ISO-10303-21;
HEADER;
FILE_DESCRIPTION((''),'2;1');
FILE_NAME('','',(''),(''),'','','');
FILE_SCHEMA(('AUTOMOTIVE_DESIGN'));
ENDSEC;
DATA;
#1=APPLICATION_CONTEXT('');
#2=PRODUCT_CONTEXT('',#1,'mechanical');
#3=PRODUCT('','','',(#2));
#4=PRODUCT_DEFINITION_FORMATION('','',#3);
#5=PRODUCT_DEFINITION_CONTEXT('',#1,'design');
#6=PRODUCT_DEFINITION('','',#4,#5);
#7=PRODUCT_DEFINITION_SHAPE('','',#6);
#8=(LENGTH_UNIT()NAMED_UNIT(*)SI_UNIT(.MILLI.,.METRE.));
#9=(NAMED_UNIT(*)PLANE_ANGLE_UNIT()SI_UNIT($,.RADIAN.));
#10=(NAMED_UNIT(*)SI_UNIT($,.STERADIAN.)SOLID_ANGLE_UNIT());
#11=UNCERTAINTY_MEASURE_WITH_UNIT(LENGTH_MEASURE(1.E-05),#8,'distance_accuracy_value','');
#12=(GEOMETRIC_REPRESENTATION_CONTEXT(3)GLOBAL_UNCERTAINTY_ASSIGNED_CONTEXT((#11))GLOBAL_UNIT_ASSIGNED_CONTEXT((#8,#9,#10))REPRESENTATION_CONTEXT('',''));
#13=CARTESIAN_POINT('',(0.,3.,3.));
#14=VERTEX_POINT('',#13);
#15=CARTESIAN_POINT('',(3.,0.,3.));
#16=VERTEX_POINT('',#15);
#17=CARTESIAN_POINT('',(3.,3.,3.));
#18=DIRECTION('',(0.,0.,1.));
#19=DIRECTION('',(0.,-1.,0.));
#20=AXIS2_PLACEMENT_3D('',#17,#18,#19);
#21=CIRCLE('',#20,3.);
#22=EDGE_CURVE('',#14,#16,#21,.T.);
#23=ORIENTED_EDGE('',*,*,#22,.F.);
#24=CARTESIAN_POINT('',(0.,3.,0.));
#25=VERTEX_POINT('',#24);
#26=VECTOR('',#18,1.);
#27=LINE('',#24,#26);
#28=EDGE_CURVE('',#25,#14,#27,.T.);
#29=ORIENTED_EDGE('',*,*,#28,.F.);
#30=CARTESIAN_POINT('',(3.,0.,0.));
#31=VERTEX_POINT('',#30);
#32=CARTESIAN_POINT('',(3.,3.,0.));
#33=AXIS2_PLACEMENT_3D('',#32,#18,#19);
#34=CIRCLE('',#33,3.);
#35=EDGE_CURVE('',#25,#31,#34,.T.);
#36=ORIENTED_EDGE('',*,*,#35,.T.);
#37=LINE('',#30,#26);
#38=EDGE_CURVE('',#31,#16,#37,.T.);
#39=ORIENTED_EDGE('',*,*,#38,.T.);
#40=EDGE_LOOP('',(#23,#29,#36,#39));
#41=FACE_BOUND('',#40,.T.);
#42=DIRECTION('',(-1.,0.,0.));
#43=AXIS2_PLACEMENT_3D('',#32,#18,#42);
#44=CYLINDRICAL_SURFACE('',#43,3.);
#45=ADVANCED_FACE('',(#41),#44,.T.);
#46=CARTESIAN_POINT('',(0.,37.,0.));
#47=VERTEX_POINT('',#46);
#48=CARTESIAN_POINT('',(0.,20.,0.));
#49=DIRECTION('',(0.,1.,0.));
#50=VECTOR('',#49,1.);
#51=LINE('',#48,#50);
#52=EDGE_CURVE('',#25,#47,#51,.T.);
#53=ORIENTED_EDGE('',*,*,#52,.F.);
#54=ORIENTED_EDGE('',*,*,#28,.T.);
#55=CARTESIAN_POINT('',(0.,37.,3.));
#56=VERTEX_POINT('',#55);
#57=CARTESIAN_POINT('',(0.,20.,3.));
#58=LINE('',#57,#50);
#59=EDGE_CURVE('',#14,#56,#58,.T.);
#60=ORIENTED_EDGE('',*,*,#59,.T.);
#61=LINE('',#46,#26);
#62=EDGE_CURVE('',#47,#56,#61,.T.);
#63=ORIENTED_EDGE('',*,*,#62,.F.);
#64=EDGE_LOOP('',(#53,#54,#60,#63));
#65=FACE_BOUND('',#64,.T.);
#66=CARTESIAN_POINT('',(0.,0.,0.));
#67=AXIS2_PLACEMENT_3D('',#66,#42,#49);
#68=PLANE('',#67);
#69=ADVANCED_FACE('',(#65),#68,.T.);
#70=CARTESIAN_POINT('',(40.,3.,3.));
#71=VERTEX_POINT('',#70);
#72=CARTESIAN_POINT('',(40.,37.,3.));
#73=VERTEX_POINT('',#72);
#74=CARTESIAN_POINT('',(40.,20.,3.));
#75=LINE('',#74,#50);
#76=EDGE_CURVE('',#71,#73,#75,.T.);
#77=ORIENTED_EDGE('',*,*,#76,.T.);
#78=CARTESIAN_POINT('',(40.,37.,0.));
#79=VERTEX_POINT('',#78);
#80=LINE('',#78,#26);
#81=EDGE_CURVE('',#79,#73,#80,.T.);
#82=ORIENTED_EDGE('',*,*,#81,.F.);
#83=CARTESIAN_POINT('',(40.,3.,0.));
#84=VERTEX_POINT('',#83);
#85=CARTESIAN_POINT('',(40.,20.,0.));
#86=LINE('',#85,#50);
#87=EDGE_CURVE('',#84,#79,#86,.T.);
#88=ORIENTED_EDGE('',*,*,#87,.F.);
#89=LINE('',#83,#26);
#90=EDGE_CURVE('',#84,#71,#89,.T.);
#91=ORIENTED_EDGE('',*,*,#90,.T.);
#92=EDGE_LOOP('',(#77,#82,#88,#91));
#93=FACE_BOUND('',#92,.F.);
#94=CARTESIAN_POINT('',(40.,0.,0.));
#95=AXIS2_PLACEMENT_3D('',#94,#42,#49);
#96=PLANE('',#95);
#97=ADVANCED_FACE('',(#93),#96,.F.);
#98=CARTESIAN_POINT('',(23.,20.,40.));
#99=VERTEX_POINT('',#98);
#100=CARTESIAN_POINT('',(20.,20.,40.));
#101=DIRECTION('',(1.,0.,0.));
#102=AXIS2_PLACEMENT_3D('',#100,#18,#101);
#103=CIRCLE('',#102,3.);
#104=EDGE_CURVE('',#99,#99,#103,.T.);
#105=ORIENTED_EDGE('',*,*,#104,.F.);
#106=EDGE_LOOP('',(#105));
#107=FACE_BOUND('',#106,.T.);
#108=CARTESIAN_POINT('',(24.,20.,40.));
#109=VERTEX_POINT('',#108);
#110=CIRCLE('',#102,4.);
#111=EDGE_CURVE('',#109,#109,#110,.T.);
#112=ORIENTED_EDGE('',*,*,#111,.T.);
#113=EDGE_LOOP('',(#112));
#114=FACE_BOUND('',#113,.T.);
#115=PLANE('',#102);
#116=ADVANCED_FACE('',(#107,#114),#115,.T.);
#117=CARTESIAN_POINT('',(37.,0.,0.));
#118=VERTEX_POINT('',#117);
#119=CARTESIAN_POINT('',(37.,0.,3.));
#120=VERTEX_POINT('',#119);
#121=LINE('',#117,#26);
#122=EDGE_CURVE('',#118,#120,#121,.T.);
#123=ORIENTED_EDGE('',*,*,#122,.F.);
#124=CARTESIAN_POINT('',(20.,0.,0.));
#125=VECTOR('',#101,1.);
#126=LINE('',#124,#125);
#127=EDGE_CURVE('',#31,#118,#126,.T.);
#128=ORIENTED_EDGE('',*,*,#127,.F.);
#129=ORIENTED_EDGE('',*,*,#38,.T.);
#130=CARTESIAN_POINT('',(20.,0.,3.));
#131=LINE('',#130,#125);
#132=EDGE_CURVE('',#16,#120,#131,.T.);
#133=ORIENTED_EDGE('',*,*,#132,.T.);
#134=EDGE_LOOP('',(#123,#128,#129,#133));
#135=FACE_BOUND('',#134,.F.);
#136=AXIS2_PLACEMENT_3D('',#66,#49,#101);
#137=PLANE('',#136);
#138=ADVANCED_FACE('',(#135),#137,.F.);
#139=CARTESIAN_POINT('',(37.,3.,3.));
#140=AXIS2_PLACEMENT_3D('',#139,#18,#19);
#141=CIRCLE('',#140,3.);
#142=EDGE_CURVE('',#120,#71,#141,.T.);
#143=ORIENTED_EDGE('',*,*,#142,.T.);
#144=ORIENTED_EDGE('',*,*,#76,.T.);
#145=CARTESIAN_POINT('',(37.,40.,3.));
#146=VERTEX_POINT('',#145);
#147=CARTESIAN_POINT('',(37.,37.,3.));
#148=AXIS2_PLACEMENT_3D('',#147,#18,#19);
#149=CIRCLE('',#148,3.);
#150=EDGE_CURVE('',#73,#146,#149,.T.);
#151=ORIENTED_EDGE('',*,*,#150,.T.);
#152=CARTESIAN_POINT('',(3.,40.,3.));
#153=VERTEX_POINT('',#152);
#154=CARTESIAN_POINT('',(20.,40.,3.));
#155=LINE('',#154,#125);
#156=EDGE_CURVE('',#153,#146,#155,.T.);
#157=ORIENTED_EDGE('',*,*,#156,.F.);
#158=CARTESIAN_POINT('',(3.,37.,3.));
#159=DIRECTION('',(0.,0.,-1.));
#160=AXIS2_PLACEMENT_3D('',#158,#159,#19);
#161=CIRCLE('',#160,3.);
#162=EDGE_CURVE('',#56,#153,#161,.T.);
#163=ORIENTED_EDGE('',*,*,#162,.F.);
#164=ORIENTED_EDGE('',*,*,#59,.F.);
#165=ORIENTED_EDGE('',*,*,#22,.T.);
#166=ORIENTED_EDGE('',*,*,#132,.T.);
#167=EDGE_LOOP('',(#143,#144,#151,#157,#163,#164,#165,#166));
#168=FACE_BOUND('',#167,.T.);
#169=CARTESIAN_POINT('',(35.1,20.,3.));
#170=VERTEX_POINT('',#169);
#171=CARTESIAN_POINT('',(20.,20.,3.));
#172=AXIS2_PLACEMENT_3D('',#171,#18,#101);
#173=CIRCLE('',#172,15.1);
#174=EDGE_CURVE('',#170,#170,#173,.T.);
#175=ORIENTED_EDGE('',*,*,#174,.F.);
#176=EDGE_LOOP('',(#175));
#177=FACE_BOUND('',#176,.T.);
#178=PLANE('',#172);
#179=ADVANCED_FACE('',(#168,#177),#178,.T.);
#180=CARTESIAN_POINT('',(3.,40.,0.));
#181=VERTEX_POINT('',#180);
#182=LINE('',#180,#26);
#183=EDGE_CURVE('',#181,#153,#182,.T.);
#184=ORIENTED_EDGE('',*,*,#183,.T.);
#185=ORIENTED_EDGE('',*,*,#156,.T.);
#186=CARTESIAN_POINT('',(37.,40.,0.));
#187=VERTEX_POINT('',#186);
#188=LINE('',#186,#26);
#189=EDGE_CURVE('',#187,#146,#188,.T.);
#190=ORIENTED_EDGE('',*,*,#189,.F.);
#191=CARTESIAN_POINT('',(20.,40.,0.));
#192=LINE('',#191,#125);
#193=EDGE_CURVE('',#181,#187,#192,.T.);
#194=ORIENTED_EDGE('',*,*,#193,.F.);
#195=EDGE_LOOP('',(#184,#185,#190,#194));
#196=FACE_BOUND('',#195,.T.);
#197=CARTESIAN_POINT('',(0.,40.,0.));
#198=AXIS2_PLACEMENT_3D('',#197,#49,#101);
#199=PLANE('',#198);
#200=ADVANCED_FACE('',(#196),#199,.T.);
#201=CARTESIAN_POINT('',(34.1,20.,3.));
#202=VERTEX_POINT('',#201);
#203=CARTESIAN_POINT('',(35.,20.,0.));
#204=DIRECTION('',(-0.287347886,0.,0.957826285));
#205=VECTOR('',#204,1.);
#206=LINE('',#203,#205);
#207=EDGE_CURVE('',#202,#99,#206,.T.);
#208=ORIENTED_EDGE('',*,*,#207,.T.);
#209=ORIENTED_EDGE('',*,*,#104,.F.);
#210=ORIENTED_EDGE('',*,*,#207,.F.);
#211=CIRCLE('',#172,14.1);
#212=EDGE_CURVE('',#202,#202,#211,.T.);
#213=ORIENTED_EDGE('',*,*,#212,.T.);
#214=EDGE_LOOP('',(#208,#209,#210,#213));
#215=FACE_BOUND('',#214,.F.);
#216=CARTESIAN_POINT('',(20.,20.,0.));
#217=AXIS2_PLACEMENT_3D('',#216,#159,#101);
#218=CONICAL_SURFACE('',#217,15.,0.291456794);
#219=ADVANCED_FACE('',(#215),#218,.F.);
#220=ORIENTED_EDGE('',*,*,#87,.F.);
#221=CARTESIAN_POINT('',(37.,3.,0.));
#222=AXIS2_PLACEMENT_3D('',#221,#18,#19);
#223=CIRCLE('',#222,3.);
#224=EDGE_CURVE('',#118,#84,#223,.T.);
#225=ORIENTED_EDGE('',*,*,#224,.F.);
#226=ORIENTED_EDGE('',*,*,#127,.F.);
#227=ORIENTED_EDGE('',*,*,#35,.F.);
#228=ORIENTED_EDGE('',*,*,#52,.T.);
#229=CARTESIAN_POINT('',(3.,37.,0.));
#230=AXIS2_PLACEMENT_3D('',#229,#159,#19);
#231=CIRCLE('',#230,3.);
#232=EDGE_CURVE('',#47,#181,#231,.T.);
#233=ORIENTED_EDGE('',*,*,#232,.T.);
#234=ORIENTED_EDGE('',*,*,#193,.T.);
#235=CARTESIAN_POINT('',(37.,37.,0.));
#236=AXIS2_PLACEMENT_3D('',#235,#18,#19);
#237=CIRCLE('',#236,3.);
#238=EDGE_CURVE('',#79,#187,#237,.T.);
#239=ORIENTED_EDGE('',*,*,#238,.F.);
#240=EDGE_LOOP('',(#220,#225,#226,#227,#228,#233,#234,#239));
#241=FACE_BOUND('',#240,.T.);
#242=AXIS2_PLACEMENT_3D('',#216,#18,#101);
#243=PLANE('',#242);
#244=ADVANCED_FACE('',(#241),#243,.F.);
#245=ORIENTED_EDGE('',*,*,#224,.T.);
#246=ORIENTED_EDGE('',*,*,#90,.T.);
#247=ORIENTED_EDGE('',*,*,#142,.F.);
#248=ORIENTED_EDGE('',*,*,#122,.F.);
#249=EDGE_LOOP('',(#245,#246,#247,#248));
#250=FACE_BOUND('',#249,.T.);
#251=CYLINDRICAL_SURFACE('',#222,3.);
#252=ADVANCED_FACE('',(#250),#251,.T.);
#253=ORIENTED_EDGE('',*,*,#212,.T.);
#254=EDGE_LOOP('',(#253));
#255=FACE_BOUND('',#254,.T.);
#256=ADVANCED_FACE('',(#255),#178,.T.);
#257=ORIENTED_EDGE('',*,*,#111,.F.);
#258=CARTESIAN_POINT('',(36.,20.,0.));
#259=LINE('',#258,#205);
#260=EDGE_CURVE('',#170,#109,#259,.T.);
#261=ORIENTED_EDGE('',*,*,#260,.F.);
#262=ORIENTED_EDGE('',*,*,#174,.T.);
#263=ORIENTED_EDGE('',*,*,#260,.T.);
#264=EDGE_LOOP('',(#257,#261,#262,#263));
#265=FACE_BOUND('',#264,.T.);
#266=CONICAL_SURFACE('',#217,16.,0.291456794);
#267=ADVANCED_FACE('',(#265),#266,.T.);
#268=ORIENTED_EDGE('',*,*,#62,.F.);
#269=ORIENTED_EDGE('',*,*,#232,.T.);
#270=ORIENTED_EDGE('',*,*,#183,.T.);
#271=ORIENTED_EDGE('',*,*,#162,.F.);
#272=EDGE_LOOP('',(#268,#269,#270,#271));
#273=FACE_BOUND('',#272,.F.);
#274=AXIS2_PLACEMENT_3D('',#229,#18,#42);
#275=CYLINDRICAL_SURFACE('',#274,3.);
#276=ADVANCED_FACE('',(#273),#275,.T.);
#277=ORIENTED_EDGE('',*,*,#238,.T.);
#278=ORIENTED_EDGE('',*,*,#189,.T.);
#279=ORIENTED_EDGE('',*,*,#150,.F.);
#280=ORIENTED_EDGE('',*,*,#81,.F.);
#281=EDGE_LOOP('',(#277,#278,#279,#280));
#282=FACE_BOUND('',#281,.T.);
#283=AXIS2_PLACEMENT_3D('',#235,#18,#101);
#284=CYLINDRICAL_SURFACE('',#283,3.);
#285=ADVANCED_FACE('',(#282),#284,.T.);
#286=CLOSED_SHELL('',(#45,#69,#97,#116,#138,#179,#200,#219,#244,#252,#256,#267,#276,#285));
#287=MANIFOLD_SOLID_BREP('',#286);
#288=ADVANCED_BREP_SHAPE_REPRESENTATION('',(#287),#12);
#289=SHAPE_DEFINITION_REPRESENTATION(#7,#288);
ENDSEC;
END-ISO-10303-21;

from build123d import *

# Parameters (mm, degrees)
BOX_W     = 40
BOX_H     = 40
BOX_DEPTH = 3
FILLET_R  = 3


with BuildPart() as con001:
    # Cone001 → Cone001 (revolve)
    with BuildSketch(Plane.XZ):
        Polygon((0, 0), (15, 0), (3, 40), (0, 40), align=None)
    revolve(axis=Axis((0, 0, 0), (0, 0, 1)))


with BuildPart() as cut:
    # Cone → Cone (revolve)
    with BuildSketch(Plane.XZ):
        Polygon((0, 0), (16, 0), (4, 40), (0, 40), align=None)
    revolve(axis=Axis((0, 0, 0), (0, 0, 1)))

    # Cut: cut Con001
    add(con001.part, mode=Mode.SUBTRACT)


with BuildPart() as cut_1:
    # Cut placement: moved
    add(cut.part.moved(Location((20, 20, 0))))


with BuildPart() as fusion:
    # Box → Box (new body)
    with BuildSketch(Plane.XY):
        with Locations((20, 20)):
            Rectangle(BOX_W, BOX_H)
    extrude(amount=BOX_DEPTH)

    # Fillet
    fillet_edges = [fusion.edges().sort_by_distance(p)[0] for p in [
        (0, 0, 1.5),
        (0, 40, 1.5),
        (40, 0, 1.5),
        (40, 40, 1.5),
    ]]
    fillet(fillet_edges, radius=FILLET_R)

    # Fusion: union Cut
    add(cut_1.part)


solid = fusion.part
